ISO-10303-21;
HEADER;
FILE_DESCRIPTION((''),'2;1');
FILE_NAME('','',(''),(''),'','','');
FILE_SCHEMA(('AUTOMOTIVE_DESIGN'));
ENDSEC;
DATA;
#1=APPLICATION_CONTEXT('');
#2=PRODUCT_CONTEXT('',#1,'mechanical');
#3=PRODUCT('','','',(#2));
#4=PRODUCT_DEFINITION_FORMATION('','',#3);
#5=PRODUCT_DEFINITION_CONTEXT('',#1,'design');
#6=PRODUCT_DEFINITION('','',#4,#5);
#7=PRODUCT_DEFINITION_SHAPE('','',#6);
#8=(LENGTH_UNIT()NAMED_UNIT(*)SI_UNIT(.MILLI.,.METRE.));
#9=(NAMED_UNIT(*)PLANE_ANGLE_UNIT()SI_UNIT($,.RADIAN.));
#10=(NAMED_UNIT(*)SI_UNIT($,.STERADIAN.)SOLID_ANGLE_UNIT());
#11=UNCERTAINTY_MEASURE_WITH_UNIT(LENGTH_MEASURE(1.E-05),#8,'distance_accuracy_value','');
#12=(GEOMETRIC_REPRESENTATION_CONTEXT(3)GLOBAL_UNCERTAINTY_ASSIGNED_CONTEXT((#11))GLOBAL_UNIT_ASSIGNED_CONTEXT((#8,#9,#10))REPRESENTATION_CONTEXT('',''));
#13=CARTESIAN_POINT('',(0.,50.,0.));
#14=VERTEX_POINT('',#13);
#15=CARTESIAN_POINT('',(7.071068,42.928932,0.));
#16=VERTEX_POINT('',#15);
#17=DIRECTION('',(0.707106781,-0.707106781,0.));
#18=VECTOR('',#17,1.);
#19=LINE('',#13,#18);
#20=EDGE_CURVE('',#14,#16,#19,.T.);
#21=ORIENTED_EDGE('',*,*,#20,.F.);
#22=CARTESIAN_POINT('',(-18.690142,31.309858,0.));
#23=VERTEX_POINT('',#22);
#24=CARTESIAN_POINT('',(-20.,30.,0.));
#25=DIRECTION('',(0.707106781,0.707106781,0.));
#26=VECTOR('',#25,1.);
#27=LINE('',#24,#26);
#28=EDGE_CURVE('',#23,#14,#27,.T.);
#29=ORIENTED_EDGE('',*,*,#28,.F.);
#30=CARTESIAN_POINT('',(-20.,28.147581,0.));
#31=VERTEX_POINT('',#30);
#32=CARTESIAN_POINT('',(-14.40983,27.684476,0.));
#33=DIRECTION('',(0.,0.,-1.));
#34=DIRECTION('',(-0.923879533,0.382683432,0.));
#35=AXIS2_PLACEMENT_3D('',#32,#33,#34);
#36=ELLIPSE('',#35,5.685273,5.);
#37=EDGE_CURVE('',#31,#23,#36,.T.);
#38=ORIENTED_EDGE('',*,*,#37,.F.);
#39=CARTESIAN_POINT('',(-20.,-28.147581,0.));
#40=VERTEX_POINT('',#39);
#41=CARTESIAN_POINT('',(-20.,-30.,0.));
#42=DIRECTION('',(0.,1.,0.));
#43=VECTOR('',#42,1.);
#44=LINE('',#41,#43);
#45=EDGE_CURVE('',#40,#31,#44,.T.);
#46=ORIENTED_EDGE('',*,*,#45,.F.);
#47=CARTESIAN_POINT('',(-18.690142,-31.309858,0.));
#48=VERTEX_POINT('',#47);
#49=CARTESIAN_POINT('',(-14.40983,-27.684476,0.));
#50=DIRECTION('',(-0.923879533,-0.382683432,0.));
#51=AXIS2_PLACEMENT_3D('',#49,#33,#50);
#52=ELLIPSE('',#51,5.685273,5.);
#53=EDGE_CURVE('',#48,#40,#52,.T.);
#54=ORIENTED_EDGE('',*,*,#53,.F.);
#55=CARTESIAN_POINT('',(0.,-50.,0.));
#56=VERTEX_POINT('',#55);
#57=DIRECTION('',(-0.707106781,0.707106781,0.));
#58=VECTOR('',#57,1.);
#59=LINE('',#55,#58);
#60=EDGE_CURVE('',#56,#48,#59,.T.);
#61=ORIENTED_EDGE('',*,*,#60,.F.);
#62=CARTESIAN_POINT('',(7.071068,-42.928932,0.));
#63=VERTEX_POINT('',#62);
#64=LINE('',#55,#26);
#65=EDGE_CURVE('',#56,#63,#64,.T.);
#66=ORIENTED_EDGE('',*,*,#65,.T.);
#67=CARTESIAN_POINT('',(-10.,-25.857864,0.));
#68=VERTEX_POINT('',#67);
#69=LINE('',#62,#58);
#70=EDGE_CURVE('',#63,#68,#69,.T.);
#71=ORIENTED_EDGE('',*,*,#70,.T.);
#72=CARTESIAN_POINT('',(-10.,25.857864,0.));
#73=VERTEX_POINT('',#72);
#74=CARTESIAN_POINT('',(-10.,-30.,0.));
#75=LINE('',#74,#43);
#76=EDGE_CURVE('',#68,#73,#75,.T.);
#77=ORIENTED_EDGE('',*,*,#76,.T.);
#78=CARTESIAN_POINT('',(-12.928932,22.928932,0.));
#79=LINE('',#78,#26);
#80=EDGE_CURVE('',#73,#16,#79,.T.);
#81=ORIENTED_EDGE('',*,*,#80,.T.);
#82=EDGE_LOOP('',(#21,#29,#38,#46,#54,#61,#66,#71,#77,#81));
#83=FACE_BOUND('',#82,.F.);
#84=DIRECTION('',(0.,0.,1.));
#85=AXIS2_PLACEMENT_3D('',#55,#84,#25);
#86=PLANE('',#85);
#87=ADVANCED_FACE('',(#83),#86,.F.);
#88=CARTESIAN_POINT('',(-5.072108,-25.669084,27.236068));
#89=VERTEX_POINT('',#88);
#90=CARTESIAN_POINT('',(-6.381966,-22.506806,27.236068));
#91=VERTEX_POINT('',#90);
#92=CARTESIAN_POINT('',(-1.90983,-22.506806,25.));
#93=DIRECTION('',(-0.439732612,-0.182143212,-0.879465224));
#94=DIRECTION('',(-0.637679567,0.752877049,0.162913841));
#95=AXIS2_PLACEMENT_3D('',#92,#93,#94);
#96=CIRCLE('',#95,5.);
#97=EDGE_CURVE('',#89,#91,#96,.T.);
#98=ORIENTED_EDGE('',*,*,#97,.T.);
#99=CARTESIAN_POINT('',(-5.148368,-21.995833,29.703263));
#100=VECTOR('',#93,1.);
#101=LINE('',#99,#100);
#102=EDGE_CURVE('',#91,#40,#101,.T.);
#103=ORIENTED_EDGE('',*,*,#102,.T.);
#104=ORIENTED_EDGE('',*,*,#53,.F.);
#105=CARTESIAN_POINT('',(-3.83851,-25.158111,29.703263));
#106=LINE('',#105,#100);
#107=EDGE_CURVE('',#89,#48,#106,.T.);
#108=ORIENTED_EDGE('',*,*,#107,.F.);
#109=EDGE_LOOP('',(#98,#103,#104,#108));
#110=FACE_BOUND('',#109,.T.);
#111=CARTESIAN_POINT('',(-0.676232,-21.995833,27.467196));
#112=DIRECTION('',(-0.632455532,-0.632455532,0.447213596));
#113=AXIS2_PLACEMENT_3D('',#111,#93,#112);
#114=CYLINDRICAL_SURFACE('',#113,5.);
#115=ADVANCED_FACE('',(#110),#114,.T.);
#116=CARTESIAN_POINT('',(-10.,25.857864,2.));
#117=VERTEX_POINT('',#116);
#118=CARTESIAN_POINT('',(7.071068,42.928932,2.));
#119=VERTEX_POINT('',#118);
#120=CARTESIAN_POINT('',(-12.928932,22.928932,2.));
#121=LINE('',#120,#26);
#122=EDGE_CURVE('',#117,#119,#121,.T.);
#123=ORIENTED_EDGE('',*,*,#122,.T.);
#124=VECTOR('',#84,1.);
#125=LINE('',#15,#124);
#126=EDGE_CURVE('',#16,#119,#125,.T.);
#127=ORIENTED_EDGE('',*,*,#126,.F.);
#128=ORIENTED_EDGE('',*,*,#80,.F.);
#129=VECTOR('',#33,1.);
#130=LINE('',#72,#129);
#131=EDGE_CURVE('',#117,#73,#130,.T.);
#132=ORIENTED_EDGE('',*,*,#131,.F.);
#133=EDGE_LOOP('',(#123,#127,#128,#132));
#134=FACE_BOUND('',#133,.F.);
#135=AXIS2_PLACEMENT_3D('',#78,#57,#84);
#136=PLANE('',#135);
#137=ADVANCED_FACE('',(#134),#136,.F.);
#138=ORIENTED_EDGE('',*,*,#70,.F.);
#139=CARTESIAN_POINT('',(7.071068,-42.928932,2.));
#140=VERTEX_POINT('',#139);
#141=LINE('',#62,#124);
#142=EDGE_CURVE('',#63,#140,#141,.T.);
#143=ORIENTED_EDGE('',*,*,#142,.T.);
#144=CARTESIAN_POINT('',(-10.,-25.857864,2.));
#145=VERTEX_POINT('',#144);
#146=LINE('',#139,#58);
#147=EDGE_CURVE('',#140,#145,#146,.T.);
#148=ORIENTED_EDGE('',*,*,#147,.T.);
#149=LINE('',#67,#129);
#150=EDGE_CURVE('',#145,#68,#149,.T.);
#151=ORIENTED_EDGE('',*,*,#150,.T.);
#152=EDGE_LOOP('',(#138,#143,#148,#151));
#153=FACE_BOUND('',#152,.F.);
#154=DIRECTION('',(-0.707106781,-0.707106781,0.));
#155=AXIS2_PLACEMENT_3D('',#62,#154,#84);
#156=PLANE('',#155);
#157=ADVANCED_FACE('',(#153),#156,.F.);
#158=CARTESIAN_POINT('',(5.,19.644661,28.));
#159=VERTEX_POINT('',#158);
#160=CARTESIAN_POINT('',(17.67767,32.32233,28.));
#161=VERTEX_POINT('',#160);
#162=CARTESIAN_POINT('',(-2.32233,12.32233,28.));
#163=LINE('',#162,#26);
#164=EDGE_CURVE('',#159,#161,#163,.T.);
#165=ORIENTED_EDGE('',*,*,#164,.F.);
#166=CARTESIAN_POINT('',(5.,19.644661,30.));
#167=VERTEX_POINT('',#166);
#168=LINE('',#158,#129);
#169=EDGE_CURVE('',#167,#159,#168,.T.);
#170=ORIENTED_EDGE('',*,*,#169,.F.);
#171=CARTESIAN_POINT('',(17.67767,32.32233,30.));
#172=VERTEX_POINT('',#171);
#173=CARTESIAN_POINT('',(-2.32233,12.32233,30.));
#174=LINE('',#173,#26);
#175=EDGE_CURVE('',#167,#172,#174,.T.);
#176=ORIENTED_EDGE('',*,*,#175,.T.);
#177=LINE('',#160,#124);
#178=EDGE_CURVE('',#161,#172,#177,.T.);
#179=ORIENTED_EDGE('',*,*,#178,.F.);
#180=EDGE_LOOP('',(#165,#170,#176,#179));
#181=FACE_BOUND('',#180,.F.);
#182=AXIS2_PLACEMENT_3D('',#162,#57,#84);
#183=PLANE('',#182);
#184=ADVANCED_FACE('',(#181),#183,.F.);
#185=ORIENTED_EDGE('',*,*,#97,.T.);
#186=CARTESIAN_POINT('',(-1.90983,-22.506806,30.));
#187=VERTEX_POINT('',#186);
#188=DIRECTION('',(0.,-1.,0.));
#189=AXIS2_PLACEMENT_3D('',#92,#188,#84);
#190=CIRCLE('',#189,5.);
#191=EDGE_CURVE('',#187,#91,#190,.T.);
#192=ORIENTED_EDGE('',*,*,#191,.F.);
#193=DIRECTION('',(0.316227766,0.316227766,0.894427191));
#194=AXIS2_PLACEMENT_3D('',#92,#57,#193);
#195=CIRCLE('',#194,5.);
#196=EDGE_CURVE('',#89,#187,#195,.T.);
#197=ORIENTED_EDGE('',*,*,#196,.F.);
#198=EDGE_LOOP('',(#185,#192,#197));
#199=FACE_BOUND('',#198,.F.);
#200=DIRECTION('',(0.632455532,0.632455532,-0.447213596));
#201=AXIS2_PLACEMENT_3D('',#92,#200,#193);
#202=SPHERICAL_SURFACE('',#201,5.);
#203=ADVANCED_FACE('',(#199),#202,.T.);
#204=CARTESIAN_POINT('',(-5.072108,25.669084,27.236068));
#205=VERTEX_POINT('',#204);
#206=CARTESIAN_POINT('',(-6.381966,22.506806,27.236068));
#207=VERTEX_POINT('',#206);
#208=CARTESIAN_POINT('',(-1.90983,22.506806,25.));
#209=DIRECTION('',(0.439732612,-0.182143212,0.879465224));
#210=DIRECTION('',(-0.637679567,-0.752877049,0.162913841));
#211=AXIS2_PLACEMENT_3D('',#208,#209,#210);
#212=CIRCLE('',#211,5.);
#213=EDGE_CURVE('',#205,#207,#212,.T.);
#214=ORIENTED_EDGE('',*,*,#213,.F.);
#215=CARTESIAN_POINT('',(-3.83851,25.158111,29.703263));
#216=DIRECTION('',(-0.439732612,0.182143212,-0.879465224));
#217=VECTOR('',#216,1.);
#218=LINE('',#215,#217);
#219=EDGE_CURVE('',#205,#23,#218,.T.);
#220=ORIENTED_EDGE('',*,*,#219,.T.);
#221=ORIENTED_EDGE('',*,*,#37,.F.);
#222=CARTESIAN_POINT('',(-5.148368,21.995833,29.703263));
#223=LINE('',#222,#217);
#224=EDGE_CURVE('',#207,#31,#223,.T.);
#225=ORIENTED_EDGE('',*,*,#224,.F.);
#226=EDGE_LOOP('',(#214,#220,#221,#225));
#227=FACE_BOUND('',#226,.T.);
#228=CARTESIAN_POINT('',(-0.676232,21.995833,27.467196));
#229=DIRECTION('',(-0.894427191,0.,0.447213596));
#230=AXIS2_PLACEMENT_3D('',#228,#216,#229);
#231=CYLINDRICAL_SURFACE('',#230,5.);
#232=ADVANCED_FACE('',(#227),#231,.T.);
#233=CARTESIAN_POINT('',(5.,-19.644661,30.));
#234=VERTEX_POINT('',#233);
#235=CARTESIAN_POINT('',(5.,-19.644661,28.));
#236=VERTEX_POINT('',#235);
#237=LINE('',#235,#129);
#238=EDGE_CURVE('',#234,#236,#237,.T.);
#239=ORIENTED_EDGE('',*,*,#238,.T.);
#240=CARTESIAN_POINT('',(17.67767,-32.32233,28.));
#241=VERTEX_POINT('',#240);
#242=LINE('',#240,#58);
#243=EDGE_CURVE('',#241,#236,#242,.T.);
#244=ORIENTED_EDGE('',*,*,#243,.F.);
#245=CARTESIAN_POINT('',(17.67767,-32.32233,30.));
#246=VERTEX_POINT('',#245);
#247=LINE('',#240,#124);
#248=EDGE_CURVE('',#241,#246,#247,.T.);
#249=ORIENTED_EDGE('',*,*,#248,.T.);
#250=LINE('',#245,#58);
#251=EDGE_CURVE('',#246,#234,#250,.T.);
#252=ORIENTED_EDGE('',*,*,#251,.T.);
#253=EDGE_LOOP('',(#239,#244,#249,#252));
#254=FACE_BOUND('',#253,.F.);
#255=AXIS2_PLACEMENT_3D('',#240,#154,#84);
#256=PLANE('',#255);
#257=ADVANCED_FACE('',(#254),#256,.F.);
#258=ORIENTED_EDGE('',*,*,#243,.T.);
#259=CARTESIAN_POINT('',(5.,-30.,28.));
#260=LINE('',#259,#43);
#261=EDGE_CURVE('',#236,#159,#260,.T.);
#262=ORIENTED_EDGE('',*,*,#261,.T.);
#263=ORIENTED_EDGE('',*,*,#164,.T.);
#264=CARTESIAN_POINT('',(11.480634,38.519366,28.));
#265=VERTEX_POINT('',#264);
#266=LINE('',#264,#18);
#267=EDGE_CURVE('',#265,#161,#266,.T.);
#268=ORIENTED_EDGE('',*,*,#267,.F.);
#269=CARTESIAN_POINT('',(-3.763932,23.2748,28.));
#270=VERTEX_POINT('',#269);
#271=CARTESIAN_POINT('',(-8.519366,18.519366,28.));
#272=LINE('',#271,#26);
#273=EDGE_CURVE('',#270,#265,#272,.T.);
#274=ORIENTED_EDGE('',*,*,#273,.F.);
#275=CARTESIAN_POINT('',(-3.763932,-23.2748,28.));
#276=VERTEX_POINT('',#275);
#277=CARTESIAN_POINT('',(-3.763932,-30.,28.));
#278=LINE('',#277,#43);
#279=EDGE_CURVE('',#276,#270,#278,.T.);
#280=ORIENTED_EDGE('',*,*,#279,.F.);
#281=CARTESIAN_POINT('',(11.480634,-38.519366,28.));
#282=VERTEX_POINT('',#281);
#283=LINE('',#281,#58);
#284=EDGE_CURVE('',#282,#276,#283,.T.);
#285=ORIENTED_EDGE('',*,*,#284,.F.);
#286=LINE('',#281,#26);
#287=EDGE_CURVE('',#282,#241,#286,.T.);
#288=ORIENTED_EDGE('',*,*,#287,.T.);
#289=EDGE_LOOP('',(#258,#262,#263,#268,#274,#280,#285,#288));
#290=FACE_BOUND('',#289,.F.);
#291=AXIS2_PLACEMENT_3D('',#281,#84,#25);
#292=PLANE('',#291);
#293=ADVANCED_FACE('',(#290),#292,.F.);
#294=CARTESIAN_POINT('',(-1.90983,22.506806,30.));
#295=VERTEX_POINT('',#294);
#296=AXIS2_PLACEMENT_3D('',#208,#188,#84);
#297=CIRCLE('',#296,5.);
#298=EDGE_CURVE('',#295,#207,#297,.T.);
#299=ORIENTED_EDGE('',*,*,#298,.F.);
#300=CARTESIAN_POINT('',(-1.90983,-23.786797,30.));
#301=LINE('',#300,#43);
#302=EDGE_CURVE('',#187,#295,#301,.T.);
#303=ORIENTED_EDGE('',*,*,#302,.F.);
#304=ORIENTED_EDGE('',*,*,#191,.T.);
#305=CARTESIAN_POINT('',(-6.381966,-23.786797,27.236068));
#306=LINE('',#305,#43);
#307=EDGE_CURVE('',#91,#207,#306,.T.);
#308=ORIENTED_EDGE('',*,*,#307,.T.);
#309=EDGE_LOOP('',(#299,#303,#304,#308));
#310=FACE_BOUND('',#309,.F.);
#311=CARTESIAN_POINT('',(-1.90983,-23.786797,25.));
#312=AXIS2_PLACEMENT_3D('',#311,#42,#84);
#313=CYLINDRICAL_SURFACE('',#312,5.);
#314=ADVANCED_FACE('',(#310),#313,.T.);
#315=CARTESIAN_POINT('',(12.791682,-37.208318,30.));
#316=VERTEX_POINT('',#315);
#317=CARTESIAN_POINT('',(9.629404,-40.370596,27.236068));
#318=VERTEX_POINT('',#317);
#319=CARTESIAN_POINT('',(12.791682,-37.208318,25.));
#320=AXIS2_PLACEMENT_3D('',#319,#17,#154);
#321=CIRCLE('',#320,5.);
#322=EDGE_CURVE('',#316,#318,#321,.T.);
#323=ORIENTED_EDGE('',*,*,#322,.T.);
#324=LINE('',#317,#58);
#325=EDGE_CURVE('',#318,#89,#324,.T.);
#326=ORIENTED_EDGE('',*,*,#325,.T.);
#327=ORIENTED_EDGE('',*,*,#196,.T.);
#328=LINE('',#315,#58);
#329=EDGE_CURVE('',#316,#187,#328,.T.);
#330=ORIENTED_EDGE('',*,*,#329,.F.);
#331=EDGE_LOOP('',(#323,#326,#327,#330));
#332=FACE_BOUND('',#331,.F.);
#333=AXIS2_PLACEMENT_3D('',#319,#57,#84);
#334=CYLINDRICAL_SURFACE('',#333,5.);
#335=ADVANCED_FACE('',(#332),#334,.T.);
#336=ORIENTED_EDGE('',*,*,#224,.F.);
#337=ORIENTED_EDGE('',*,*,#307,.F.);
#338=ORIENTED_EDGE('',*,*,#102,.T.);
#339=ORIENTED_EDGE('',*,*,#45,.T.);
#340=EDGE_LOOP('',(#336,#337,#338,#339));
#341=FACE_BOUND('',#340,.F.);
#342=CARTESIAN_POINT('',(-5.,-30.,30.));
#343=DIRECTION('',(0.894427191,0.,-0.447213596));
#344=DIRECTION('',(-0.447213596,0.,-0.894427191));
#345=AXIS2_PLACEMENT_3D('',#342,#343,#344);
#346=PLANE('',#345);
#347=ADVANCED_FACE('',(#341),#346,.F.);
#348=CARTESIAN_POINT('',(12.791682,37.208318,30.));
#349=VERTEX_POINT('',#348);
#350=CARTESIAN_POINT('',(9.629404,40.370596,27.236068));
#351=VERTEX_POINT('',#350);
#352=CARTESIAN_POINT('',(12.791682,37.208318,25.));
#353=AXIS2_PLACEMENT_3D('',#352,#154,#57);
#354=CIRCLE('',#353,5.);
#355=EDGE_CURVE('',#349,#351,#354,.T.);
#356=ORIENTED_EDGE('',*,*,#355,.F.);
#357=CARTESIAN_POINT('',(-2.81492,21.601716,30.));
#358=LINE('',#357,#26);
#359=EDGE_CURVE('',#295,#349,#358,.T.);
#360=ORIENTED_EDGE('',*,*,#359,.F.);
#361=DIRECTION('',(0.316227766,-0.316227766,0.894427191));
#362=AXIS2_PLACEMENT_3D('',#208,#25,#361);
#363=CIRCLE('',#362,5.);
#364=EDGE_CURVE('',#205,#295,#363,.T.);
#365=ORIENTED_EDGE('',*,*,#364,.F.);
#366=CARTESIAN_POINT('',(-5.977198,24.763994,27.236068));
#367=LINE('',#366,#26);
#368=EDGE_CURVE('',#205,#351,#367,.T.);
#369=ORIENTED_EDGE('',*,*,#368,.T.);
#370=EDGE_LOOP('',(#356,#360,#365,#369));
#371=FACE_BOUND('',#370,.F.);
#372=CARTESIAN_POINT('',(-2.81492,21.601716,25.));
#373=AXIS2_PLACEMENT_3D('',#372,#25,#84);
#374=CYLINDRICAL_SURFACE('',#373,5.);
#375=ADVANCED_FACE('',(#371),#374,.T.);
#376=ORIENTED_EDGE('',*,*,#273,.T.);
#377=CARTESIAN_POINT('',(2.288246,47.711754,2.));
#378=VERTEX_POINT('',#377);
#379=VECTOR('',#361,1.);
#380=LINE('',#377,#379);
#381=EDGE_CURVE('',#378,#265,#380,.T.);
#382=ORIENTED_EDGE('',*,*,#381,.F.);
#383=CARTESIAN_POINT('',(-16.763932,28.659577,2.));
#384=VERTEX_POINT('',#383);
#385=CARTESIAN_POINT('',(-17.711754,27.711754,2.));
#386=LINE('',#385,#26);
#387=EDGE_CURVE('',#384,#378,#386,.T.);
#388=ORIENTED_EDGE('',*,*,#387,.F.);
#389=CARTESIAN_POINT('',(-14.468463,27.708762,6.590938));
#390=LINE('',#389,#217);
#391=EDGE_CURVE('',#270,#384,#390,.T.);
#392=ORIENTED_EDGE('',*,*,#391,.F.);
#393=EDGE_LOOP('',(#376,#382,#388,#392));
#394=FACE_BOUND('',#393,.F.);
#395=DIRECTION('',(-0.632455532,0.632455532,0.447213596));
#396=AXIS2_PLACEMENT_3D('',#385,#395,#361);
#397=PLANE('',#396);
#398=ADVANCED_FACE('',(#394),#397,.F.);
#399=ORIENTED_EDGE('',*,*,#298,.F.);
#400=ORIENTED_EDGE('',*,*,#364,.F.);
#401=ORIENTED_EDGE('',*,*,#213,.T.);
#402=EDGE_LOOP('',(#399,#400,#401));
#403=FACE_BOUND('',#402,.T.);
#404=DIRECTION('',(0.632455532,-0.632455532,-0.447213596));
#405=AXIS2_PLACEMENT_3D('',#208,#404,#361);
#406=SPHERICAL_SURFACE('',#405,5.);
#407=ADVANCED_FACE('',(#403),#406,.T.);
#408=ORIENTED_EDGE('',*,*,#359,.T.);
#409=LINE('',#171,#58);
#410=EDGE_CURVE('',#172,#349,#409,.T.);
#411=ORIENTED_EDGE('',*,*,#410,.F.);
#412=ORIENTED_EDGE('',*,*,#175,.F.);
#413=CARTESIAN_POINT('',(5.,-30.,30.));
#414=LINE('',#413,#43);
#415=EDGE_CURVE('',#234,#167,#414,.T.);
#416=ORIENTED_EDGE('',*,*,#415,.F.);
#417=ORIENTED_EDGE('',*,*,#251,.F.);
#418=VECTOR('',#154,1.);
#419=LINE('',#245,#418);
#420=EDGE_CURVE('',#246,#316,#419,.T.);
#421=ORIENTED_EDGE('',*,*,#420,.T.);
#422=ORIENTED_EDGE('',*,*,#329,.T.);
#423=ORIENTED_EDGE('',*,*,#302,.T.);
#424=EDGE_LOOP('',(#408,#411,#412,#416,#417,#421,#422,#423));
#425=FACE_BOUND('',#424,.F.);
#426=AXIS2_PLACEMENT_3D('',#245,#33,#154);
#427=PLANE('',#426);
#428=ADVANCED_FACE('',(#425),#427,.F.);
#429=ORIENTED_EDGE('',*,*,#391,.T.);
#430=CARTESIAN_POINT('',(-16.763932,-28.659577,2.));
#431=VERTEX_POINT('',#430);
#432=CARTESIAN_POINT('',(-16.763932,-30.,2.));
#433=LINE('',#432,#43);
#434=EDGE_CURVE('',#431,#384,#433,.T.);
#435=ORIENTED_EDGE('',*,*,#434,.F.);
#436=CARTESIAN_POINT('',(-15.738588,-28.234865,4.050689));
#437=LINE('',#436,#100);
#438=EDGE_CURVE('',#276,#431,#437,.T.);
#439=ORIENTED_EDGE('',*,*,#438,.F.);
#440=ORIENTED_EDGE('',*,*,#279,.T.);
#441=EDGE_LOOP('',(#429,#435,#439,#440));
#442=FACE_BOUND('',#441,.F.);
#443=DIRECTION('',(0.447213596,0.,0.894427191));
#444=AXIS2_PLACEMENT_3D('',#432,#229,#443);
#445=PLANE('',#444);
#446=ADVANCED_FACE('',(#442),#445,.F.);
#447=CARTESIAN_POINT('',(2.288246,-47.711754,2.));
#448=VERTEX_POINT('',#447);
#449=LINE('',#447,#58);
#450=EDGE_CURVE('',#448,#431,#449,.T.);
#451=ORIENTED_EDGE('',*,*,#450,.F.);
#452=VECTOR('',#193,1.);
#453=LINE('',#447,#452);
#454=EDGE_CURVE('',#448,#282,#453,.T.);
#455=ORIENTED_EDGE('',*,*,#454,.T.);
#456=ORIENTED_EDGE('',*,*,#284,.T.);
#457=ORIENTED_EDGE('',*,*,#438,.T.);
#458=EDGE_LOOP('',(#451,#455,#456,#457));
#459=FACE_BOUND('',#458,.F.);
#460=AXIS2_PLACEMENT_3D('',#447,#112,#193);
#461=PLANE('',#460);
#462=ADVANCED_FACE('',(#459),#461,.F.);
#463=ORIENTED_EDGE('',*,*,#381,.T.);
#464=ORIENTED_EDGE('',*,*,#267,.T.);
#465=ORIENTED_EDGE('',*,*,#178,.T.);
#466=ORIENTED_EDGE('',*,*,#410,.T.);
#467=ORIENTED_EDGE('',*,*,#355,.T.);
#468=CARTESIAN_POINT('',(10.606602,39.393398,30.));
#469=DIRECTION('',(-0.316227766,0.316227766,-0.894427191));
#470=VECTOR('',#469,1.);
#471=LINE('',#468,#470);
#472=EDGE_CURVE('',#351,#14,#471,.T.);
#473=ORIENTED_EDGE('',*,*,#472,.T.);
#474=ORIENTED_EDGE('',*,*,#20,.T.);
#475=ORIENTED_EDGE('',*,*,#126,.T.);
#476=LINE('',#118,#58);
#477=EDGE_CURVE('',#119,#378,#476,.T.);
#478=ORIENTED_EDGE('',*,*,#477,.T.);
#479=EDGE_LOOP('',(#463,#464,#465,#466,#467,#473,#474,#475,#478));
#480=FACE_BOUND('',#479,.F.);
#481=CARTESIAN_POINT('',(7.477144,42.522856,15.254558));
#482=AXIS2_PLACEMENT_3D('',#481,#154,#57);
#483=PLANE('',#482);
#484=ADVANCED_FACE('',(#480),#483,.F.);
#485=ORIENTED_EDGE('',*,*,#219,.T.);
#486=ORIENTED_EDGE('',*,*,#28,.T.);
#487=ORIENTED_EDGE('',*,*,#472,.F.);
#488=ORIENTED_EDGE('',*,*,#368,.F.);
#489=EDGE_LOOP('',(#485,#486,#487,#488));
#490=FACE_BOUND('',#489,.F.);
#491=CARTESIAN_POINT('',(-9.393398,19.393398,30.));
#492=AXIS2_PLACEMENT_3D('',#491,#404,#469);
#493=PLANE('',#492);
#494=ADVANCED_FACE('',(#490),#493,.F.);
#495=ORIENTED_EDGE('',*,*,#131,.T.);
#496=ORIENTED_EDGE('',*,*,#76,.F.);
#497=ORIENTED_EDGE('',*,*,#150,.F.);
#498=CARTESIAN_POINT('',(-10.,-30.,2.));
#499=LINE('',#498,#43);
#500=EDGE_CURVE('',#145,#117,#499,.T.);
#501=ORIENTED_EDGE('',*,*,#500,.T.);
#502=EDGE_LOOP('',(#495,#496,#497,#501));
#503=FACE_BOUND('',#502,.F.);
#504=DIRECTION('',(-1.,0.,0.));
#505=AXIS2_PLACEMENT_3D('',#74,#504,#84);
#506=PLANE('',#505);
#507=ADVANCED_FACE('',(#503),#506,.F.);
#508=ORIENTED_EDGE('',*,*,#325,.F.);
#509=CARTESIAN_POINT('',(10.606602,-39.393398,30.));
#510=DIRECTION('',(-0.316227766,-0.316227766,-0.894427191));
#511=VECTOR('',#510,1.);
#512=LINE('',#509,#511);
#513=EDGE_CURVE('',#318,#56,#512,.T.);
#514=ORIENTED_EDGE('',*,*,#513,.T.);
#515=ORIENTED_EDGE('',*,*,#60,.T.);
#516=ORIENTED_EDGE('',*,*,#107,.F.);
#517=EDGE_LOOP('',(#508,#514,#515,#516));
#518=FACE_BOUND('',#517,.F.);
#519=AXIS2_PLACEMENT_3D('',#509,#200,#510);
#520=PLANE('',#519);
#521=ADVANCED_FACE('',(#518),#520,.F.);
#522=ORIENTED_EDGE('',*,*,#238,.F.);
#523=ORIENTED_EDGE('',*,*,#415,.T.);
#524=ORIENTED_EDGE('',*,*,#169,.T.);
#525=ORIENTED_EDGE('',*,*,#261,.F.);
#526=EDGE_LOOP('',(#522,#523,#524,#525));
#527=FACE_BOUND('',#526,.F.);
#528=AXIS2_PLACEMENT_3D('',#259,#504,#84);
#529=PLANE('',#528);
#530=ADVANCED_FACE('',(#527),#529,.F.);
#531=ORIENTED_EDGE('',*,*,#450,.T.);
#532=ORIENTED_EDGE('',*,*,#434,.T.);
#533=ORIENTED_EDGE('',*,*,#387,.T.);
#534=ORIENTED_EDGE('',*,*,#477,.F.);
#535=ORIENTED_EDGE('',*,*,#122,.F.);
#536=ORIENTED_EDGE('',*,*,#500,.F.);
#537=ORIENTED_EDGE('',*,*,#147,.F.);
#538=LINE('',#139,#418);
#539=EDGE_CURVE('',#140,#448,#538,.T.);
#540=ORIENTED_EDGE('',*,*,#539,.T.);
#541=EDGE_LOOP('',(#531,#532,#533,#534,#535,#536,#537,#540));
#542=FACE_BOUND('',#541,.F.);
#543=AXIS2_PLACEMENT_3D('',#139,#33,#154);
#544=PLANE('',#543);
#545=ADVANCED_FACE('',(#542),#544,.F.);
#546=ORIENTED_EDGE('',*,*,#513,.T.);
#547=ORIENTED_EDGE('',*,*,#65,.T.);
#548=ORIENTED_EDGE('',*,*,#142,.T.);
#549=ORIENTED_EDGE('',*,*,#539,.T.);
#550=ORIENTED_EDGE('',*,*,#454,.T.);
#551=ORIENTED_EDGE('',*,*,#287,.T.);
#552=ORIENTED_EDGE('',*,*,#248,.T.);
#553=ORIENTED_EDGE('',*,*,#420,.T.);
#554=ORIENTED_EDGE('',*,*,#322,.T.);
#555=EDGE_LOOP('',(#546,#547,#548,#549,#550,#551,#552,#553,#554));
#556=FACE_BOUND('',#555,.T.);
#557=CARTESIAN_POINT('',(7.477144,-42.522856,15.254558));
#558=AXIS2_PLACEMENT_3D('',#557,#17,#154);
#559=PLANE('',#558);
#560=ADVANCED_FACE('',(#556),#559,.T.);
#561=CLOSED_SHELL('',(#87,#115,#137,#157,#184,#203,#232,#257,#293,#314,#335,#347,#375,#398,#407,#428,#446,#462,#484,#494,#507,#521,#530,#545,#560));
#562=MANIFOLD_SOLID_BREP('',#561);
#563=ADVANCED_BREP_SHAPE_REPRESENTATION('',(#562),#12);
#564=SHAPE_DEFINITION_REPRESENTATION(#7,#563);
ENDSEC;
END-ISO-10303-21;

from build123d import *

# Parameters (mm, degrees)
F3_R = 5


with BuildPart() as f2:
    # F2: sweep along a path in F0
    with BuildLine(Plane.XY) as f2_path:
        Line((0, -50), (-20, -30))
        Line((-20, -30), (-20, 30))
        Line((-20, 30), (0, 50))
    # F1 (on Front) → F2 (sweep)
    with BuildSketch(Plane.XZ):
        Polygon((-20, 0), (-10, 0), (-10, 2), (-16.7639320225, 2), (-3.7639320225, 28), (5, 28), (5, 30), (-5, 30), align=None)
    sweep(path=f2_path.line, transition=Transition.RIGHT)

    # F3
    f3_edges = [f2.edges().sort_by_distance(p)[0] for p in [
        (-5, 0, 30),
        (2.803301, 31.590097, 30),
        (2.803301, -31.590097, 30),
        (-12.5, -26.893398, 15),
        (-12.5, 26.893398, 15),
    ]]
    fillet(f3_edges, radius=F3_R)


solid = f2.part
